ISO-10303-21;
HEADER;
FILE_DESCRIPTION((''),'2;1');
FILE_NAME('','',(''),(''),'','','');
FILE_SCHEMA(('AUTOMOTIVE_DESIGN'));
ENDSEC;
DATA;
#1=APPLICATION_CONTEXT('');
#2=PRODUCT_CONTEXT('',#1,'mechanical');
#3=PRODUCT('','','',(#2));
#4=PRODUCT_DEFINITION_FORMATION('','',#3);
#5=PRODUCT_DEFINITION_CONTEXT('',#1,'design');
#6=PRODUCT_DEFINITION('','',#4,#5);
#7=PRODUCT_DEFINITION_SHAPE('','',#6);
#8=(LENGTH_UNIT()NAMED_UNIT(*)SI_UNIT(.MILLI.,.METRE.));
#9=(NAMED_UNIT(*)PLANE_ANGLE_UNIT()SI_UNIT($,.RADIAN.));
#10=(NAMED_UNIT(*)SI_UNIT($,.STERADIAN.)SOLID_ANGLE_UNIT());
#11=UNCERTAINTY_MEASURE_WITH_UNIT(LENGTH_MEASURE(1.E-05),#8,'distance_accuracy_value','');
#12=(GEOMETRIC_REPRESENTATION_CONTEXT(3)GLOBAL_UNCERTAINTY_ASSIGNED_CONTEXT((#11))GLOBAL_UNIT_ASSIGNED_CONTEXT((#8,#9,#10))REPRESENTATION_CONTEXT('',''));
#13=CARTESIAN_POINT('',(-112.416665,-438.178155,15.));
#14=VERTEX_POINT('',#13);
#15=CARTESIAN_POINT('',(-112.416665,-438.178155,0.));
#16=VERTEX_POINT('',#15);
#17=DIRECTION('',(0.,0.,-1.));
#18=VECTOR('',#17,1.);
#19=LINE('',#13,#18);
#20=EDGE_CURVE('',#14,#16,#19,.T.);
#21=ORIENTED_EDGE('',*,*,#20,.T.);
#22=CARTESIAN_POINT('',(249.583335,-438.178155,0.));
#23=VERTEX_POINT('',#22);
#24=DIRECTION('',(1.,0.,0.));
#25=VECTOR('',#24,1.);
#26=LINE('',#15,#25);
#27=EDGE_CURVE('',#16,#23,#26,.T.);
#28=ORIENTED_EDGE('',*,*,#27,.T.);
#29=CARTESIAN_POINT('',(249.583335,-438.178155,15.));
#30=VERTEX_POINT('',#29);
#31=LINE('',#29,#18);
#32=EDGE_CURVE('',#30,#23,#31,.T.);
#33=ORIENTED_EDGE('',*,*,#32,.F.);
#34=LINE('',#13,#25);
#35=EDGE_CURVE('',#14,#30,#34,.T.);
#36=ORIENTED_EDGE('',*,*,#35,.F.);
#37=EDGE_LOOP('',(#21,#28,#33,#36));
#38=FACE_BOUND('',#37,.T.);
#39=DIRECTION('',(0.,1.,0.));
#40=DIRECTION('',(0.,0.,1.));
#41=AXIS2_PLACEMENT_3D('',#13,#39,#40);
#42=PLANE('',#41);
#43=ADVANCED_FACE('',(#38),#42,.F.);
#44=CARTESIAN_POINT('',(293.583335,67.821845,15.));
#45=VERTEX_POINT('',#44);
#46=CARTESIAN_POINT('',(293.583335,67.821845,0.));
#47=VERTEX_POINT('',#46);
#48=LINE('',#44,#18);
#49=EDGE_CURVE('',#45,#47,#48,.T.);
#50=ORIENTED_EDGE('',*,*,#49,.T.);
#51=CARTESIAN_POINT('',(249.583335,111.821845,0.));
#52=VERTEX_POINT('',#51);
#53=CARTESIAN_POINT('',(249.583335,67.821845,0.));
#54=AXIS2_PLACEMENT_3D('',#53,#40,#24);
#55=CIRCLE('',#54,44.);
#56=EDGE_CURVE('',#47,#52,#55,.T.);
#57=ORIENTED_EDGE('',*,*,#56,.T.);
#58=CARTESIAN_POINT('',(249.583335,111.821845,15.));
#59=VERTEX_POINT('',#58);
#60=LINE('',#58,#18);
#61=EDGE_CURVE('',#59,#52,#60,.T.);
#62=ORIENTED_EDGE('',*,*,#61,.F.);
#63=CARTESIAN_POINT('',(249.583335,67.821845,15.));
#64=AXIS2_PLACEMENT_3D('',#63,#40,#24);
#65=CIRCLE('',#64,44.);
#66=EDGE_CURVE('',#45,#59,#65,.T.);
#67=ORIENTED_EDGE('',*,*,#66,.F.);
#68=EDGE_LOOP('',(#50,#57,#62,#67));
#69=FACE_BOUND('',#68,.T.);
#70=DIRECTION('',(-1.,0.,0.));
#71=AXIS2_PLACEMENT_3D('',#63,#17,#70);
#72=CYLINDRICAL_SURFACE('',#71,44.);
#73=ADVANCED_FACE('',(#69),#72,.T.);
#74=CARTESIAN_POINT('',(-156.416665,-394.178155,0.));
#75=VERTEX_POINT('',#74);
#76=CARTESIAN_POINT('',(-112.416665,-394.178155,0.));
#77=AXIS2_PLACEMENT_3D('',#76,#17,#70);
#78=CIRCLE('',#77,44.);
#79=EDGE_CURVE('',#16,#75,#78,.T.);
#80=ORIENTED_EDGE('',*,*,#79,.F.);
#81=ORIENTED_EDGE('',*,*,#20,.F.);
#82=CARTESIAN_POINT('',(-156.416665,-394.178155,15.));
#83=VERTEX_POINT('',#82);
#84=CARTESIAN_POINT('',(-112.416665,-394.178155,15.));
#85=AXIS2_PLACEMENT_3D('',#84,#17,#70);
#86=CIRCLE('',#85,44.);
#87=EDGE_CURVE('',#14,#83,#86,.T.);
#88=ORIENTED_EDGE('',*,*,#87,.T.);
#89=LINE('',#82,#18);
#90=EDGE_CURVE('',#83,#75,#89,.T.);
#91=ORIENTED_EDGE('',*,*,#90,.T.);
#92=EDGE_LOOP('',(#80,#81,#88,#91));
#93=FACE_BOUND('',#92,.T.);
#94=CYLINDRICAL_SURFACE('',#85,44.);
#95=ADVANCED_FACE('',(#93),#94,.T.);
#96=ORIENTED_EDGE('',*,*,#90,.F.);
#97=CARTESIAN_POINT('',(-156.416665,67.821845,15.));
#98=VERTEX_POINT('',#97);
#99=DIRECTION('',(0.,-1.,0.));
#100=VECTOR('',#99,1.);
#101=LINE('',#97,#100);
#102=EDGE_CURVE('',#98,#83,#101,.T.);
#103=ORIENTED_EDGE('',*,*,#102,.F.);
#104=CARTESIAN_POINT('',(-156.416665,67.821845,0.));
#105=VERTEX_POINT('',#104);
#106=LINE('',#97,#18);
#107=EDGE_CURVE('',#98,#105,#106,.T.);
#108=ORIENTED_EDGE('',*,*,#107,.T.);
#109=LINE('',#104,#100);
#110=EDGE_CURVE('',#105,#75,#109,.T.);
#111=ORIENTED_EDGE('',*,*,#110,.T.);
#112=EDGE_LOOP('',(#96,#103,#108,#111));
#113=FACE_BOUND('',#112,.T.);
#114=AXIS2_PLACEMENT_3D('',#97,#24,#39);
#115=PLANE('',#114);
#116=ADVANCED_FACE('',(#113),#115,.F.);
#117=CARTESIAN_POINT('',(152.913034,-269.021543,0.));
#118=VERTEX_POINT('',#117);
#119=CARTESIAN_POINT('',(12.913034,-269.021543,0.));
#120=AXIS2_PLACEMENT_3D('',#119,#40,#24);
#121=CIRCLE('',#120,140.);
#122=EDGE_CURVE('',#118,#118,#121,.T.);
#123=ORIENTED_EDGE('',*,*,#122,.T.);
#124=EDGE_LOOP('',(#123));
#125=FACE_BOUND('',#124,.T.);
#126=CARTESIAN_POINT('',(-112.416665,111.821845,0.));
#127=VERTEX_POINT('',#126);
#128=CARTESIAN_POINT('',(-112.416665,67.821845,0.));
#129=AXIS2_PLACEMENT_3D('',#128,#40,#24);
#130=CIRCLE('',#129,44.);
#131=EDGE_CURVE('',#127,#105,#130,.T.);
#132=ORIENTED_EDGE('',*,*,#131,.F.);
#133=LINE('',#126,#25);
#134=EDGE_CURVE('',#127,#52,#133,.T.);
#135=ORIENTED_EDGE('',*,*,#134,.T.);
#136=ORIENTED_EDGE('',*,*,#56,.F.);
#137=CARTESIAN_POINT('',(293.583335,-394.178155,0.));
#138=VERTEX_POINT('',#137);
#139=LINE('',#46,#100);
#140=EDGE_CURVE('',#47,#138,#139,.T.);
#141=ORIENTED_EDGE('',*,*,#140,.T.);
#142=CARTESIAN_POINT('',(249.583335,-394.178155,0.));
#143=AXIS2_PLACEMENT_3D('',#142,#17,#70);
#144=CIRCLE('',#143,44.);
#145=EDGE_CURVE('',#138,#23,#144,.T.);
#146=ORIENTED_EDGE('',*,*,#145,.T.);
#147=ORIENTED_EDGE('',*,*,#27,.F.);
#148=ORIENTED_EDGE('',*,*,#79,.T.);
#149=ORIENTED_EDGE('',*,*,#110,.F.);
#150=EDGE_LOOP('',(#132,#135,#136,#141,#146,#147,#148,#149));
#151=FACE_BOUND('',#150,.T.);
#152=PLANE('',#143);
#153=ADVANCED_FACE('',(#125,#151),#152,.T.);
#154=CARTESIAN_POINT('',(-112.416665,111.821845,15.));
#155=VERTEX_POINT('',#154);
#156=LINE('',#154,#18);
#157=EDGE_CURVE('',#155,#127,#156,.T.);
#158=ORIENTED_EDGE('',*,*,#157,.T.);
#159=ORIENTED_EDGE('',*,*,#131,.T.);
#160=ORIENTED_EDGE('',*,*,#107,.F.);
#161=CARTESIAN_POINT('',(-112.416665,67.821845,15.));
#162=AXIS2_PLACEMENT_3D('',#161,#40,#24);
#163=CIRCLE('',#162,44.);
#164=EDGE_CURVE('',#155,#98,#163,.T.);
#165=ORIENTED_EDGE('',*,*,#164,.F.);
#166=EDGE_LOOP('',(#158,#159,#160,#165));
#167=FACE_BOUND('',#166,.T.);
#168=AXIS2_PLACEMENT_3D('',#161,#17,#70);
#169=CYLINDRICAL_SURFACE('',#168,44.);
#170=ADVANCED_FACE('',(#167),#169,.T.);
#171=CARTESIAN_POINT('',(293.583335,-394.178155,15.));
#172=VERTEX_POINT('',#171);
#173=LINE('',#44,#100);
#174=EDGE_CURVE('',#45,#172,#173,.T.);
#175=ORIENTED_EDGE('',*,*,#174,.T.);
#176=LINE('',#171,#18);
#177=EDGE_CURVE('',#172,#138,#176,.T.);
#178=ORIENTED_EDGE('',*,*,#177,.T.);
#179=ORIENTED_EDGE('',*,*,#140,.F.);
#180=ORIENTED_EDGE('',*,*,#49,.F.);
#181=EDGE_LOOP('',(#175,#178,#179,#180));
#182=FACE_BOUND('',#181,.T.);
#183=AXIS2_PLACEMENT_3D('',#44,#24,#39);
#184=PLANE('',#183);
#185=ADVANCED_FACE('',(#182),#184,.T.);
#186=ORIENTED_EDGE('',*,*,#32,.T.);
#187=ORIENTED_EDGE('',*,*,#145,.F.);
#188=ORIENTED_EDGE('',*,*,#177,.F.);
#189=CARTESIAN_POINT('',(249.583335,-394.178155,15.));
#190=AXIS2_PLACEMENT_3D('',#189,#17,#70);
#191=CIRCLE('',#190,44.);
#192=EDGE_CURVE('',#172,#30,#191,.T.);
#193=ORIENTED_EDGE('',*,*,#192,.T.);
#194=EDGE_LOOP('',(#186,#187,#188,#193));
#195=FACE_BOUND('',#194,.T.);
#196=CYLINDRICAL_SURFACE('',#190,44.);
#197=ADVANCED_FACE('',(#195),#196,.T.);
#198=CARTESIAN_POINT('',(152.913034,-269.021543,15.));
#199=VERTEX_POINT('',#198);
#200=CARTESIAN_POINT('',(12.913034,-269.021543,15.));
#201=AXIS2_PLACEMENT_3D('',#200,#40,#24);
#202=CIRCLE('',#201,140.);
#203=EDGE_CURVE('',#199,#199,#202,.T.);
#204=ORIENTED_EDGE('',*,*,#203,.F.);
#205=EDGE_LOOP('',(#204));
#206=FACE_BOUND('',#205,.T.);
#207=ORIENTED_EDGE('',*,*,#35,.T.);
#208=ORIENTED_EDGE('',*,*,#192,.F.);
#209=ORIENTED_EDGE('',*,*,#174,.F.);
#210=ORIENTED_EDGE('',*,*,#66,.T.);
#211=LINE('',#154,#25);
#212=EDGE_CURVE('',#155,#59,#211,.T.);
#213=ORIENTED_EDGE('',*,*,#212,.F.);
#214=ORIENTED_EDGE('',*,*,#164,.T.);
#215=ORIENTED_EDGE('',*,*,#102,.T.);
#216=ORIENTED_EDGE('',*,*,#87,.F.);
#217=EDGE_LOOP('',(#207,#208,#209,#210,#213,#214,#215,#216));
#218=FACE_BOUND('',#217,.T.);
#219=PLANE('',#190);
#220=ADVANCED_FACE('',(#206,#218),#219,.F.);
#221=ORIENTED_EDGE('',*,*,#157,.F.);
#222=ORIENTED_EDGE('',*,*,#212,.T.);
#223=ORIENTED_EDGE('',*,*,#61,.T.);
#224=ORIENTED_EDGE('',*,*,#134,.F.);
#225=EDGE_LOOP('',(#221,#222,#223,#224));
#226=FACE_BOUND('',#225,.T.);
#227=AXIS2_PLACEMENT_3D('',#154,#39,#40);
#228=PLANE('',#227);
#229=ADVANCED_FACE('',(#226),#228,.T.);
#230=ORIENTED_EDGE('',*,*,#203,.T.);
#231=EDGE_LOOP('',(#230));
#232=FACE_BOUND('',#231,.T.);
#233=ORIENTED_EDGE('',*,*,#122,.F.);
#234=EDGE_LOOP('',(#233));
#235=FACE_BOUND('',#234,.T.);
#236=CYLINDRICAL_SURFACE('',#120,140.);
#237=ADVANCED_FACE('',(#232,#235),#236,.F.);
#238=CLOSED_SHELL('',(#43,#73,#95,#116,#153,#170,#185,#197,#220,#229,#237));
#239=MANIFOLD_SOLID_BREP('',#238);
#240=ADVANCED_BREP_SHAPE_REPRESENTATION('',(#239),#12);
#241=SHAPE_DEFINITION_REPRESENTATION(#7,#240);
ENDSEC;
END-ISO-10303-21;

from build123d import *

# Parameters (mm, degrees)
BOSS_EXTRUDE1_DEPTH = 15
SKETCH7_R           = 140
CUT_EXTRUDE3_DEPTH  = 15


with BuildPart() as part:
    # Sketch1 → Boss-Extrude1 (new body)
    with BuildSketch(Plane.XY):
        with BuildLine():
            Line((-112.416665105, 111.821845345), (249.583334895, 111.821845345))
            ThreePointArc((249.583334895, 111.821845345), (280.696033267, 98.934543717), (293.583334895, 67.821845345))
            Line((293.583334895, 67.821845345), (293.583334895, -394.178154655))
            ThreePointArc((293.583334895, -394.178154655), (280.696033267, -425.290853027), (249.583334895, -438.178154655))
            Line((249.583334895, -438.178154655), (-112.416665105, -438.178154655))
            ThreePointArc((-112.416665105, -438.178154655), (-143.529363477, -425.290853027), (-156.416665105, -394.178154655))
            Line((-156.416665105, -394.178154655), (-156.416665105, 67.821845345))
            ThreePointArc((-156.416665105, 67.821845345), (-143.529363477, 98.934543717), (-112.416665105, 111.821845345))
        make_face()
    extrude(amount=BOSS_EXTRUDE1_DEPTH)

    # Sketch7 → Cut-Extrude3 (cut)
    with BuildSketch(Plane.XY.offset(15)):
        with Locations((12.913034287, -269.02154253)):
            Circle(SKETCH7_R)
    extrude(amount=-CUT_EXTRUDE3_DEPTH, mode=Mode.SUBTRACT)


solid = part.part
